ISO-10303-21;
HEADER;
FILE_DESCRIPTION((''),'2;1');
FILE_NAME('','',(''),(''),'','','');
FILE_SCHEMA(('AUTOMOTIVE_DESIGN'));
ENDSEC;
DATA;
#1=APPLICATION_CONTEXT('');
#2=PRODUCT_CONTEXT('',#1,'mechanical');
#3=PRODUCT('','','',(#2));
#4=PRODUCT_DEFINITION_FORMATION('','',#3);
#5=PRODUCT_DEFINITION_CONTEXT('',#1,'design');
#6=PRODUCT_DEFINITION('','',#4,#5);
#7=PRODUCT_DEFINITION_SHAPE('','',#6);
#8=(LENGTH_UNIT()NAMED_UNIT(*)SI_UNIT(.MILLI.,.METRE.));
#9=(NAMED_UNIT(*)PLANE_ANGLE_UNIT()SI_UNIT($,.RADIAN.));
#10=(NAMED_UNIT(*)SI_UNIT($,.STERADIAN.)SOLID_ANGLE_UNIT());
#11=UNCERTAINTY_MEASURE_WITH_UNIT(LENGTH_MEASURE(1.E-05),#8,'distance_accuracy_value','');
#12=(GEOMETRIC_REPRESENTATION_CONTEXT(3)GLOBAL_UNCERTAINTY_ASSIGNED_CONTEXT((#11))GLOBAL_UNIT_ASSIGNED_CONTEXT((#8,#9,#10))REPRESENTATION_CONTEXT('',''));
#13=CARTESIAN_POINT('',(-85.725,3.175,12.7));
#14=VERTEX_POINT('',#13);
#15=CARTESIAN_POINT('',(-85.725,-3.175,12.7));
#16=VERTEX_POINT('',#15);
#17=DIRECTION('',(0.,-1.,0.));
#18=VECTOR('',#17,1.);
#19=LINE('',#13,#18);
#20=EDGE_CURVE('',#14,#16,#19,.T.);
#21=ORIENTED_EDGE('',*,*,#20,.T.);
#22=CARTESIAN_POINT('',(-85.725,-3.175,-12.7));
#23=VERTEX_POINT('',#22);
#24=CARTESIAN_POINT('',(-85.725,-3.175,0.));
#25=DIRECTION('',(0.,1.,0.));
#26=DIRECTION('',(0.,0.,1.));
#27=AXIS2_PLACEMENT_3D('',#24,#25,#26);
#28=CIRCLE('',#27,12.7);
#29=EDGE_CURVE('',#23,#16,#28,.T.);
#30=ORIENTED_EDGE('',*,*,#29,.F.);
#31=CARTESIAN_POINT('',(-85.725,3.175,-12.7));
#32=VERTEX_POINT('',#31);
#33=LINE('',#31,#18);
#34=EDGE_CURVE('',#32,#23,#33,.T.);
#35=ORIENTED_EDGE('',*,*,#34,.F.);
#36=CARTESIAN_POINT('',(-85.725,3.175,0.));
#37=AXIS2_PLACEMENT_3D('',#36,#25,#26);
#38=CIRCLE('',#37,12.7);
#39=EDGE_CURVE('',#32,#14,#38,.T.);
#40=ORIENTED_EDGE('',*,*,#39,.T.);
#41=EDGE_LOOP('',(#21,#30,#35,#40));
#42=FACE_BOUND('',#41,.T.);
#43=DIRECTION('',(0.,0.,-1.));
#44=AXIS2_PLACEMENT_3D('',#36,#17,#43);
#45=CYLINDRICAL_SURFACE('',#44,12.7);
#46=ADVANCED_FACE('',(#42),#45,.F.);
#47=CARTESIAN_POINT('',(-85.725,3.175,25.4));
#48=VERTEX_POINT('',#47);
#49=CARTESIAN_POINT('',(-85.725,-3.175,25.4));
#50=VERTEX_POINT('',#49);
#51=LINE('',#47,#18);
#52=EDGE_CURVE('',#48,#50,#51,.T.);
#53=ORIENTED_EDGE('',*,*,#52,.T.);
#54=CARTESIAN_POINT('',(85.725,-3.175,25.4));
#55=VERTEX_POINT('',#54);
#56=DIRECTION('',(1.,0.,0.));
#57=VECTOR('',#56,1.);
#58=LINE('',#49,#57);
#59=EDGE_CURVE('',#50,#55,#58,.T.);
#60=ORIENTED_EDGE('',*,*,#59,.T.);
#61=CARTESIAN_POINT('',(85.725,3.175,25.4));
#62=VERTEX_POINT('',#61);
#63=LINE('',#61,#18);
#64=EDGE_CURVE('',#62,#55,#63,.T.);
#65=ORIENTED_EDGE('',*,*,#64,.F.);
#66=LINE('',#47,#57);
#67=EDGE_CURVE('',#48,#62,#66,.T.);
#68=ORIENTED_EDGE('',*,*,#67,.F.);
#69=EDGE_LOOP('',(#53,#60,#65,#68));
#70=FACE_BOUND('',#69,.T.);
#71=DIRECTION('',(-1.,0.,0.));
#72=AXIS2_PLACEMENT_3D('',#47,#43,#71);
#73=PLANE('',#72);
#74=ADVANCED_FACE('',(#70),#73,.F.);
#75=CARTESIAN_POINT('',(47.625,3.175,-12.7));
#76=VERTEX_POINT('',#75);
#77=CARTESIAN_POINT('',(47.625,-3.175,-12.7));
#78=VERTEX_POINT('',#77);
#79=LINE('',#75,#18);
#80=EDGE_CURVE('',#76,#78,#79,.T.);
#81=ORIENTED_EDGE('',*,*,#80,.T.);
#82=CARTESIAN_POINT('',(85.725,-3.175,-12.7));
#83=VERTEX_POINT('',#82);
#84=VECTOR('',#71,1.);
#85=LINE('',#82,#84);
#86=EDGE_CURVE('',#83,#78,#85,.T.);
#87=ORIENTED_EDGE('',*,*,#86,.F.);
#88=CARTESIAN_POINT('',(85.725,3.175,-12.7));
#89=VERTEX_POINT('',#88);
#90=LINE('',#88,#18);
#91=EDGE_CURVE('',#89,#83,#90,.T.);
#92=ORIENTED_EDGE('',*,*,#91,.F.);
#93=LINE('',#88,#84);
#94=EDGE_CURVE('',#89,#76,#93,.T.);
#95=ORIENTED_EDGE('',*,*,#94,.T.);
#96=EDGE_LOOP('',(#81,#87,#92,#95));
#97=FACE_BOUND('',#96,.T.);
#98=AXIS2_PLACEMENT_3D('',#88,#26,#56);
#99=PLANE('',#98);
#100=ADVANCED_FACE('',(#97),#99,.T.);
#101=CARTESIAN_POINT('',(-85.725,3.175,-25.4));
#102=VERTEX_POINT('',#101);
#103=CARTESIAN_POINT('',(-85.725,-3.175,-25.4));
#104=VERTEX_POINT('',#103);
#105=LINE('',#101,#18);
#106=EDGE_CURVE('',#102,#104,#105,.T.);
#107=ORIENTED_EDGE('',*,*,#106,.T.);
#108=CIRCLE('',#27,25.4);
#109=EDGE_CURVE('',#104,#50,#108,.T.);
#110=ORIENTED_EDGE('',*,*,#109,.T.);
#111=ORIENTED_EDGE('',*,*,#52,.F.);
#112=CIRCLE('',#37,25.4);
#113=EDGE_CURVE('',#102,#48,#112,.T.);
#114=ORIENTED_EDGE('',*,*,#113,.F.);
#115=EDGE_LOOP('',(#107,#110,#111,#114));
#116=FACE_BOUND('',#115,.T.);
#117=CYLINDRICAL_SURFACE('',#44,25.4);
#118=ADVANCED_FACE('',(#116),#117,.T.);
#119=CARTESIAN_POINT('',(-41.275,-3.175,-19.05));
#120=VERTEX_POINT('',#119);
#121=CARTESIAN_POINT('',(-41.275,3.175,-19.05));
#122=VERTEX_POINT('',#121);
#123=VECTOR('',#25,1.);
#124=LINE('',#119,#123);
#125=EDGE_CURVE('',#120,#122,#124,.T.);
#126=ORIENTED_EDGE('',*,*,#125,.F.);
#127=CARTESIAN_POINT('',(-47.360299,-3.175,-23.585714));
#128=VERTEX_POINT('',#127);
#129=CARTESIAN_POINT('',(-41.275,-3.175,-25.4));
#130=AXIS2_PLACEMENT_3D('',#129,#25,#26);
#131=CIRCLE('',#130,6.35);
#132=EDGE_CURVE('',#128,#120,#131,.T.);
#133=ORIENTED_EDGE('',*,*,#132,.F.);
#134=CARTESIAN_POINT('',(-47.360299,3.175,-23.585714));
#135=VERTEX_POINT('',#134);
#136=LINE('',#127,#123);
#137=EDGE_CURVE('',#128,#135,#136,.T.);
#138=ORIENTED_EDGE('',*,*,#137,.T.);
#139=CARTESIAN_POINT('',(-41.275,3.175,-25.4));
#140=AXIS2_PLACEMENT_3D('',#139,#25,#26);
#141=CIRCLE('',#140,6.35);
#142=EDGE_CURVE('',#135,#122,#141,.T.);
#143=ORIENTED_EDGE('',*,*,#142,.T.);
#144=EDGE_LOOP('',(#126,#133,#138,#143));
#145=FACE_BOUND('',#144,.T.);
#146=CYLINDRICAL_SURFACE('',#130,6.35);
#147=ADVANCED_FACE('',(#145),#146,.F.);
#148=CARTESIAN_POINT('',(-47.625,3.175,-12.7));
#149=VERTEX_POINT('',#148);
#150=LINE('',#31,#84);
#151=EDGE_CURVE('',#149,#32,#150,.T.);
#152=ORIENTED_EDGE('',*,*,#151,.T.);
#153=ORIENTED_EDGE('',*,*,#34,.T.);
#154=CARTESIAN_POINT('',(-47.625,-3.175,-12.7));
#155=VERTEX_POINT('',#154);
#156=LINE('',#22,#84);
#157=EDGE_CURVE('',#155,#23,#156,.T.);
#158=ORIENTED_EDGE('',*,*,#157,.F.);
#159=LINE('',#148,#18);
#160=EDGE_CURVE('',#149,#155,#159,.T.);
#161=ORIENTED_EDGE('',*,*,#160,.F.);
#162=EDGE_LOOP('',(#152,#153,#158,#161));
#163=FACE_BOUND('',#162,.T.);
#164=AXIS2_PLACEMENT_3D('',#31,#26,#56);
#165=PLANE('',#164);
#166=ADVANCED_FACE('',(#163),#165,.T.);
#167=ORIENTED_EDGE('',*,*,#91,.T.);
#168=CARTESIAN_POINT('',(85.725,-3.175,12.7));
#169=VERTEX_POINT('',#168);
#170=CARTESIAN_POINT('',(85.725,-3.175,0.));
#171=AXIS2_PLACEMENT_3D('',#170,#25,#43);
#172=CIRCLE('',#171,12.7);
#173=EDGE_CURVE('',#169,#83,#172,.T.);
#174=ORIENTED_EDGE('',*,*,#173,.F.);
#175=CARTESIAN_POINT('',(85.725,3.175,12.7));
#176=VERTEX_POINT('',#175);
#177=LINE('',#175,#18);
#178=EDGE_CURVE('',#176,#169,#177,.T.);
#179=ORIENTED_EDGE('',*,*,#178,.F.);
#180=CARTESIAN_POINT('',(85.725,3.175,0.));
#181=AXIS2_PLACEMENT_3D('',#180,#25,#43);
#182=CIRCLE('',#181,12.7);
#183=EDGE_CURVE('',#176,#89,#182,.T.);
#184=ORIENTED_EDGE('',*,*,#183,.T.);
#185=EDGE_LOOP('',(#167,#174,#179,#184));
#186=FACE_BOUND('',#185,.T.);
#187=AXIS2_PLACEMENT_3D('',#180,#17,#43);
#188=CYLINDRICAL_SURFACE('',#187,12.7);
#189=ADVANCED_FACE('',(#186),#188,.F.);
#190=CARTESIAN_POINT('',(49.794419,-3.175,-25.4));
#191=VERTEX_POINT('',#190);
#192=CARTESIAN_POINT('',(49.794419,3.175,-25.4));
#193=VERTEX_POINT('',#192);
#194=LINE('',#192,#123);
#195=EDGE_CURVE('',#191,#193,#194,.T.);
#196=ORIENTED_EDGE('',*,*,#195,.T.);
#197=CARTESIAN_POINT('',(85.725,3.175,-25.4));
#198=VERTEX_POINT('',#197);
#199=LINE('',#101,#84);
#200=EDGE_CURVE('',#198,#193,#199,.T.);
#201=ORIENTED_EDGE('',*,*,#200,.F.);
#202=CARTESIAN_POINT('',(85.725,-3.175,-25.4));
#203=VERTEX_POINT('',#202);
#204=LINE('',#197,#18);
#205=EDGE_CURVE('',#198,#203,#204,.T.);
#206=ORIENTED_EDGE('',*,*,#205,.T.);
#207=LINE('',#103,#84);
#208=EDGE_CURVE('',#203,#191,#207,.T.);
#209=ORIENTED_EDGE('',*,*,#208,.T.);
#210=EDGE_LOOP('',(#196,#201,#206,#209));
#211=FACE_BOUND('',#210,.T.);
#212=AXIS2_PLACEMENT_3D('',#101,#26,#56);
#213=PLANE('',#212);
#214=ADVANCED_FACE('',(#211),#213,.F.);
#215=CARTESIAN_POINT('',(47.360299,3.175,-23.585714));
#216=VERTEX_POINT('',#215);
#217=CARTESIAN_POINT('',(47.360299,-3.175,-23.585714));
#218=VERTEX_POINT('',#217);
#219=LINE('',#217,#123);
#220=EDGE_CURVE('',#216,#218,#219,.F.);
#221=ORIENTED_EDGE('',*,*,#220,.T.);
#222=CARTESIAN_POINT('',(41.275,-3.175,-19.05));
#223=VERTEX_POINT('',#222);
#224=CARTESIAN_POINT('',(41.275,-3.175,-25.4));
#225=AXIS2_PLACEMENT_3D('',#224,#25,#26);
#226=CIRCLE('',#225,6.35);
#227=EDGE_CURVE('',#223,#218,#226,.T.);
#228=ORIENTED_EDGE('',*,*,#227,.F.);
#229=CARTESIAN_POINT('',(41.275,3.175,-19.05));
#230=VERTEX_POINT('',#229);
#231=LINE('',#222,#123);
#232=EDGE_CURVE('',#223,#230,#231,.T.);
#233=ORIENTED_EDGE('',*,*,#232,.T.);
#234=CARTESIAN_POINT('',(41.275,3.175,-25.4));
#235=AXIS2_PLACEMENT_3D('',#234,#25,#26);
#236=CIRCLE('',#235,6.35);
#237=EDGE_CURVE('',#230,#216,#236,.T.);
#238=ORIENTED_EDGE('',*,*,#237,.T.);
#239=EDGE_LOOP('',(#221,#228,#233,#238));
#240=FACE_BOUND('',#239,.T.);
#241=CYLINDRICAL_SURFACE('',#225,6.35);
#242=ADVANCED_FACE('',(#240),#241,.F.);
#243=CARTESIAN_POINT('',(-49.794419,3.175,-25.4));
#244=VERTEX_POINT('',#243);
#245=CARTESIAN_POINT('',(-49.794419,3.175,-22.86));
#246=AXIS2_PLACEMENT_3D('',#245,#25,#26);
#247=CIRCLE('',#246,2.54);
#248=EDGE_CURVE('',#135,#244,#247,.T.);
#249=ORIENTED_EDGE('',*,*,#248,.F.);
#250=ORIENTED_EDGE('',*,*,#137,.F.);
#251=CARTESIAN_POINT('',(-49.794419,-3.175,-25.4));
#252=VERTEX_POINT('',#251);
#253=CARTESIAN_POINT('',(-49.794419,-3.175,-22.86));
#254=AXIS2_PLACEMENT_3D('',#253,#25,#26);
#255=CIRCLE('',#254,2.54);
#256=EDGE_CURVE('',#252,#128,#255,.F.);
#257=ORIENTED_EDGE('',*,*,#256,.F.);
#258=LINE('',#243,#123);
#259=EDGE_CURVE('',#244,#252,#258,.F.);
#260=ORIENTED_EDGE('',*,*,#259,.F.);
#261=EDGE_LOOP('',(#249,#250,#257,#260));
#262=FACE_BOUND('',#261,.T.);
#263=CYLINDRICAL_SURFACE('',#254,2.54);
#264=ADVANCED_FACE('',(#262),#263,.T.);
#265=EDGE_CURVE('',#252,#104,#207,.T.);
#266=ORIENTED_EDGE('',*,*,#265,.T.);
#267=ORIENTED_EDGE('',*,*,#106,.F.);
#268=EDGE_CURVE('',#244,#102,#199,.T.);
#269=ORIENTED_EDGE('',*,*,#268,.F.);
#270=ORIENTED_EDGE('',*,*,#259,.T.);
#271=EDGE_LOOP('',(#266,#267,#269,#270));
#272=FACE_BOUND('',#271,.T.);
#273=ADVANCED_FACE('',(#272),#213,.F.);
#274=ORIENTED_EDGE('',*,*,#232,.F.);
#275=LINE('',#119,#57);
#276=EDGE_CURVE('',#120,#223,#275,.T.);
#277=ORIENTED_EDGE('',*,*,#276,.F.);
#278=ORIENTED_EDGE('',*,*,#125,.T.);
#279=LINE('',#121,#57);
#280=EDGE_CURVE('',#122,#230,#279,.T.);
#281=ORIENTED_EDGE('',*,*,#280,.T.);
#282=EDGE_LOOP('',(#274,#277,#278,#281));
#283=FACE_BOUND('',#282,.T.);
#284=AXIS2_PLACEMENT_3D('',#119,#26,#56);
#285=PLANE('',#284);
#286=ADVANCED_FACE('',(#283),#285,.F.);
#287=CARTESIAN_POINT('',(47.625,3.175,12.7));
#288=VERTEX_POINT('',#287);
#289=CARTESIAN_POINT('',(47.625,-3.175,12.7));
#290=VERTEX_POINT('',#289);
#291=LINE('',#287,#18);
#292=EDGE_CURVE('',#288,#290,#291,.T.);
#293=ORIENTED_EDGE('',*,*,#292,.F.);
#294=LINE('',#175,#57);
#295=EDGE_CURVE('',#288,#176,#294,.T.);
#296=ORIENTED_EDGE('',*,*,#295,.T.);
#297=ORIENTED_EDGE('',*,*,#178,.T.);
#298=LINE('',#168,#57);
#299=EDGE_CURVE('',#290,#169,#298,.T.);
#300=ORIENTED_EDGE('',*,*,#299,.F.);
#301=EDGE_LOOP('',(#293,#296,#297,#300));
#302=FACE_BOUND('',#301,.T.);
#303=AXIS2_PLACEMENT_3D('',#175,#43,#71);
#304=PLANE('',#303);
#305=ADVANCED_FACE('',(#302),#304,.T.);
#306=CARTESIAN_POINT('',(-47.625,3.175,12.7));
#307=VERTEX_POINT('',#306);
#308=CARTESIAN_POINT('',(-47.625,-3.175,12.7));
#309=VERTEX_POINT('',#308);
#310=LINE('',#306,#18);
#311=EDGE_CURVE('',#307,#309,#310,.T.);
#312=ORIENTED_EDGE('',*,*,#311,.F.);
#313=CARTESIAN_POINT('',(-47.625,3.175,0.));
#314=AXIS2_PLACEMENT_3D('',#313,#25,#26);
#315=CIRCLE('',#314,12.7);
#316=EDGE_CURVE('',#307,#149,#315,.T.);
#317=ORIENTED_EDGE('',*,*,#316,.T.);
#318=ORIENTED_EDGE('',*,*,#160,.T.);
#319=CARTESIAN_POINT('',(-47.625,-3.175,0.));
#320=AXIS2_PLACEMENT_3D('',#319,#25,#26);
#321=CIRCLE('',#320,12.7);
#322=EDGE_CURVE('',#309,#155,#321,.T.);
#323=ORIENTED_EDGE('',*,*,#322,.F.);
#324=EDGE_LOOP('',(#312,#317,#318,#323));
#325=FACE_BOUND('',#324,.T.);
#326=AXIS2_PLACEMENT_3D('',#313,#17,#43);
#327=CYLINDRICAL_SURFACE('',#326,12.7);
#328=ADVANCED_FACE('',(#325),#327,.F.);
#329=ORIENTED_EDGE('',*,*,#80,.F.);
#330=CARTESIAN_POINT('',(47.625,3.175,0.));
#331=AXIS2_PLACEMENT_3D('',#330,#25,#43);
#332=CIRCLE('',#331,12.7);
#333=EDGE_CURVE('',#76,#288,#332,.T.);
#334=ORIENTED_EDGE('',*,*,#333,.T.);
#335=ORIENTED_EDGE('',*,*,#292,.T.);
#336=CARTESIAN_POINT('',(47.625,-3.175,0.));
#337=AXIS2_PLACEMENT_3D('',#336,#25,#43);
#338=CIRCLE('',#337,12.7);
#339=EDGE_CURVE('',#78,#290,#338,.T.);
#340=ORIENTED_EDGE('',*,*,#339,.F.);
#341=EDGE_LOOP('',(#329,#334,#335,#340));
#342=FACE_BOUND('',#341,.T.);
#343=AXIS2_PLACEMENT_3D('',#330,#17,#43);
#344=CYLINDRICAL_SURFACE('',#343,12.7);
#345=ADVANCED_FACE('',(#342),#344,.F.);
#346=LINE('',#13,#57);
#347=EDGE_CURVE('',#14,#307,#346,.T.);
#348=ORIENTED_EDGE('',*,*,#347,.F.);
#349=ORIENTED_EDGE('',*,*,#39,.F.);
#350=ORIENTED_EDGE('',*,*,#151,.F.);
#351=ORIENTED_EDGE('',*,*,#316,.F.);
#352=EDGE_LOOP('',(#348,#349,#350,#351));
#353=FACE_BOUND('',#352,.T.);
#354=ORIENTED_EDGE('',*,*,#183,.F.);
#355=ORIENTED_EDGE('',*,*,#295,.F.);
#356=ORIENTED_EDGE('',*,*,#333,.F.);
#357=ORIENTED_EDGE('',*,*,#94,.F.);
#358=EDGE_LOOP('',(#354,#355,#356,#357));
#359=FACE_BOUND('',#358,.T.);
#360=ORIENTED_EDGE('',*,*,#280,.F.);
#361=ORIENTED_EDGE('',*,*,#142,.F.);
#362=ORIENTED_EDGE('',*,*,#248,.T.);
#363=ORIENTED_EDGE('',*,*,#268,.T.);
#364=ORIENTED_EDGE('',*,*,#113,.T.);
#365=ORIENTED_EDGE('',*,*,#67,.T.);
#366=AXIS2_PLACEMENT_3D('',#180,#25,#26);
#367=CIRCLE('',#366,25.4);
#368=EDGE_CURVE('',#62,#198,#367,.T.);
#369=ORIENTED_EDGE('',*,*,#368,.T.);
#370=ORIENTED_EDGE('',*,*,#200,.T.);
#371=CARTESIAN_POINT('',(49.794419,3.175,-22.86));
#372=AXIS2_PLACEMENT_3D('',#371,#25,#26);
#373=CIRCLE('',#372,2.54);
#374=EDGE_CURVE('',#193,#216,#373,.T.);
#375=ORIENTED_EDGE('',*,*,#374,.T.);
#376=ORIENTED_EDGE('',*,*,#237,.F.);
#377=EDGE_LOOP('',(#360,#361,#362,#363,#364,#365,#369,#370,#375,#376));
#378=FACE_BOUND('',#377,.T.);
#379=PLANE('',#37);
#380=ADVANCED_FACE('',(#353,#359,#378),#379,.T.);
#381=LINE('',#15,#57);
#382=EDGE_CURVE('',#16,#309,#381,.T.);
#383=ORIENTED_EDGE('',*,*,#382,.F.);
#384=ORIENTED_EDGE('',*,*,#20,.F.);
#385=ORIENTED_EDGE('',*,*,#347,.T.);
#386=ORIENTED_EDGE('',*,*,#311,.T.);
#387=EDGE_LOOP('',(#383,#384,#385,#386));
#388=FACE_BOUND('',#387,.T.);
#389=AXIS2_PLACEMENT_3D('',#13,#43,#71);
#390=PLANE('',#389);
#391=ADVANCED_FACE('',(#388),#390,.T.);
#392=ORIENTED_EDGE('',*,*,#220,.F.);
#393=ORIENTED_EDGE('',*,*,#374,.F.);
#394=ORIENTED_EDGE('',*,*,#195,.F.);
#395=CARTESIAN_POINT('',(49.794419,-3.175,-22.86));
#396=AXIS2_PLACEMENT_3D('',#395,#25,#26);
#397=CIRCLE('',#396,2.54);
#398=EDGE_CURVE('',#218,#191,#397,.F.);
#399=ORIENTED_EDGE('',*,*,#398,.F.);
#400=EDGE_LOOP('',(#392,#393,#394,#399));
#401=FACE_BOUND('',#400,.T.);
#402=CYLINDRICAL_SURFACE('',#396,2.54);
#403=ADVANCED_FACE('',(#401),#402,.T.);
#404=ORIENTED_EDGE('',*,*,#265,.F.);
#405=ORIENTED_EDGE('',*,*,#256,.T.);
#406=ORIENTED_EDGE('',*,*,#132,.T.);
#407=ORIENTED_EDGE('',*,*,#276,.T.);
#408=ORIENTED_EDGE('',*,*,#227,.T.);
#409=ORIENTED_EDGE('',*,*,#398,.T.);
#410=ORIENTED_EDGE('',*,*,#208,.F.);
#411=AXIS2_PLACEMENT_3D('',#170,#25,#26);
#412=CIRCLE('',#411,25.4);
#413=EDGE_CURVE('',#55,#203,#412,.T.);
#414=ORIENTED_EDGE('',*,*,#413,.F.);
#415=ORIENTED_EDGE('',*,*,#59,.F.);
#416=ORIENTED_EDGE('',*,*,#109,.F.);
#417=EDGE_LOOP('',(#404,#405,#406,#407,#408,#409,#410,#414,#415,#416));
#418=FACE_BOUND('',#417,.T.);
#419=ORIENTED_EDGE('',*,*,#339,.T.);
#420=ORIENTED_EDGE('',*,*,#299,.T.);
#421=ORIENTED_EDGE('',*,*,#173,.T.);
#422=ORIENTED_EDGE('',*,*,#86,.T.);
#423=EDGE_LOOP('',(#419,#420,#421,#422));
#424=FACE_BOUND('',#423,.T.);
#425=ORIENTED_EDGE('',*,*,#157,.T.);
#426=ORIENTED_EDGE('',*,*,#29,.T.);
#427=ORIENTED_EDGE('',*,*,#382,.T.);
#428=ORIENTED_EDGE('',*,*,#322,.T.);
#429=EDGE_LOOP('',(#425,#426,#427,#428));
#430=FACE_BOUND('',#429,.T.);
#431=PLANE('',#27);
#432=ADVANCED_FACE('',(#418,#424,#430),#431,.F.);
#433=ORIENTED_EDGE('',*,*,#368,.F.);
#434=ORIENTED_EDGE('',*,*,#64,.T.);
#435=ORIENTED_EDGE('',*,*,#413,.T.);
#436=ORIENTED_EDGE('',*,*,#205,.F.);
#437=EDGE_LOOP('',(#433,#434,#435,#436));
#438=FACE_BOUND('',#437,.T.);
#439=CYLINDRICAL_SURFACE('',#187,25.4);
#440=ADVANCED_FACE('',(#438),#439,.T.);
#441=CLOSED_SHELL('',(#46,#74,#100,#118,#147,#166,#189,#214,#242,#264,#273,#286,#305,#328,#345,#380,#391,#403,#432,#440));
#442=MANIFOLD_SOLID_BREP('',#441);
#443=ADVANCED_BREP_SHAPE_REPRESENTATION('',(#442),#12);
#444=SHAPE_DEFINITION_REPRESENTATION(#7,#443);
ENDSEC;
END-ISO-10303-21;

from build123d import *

# Parameters (mm, degrees)
BOSS_EXTRUDE1_DEPTH = 3.175
CUT_EXTRUDE1_DEPTH  = 7.35
FILLET1_R           = 2.54


with BuildPart() as part:
    # Sketch1 → Boss-Extrude1 (new body, symmetric)
    with BuildSketch(Plane(origin=(0, 0, 0), x_dir=(1, 0, 0), z_dir=(0, 1, 0))):
        with BuildLine():
            Line((-85.725, 25.4), (85.725, 25.4))
            ThreePointArc((85.725, 25.4), (111.125, 0), (85.725, -25.4))
            Line((85.725, -25.4), (-85.725, -25.4))
            ThreePointArc((-85.725, -25.4), (-111.125, 0), (-85.725, 25.4))
        make_face()
        with BuildLine():
            Line((-85.725, 12.7), (-47.625, 12.7))
            ThreePointArc((-47.625, 12.7), (-34.925, 0), (-47.625, -12.7))
            Line((-47.625, -12.7), (-85.725, -12.7))
            ThreePointArc((-85.725, -12.7), (-98.425, 0), (-85.725, 12.7))
        make_face(mode=Mode.SUBTRACT)
        with BuildLine():
            Line((85.725, 12.7), (47.625, 12.7))
            ThreePointArc((47.625, 12.7), (34.925, 0), (47.625, -12.7))
            Line((47.625, -12.7), (85.725, -12.7))
            ThreePointArc((85.725, -12.7), (98.425, 0), (85.725, 12.7))
        make_face(mode=Mode.SUBTRACT)
    extrude(amount=BOSS_EXTRUDE1_DEPTH, both=True)

    # Sketch2 → Cut-Extrude1 (cut, through all)
    with BuildSketch(Plane(origin=(0, 3.175, 0), x_dir=(1, 0, 0), z_dir=(0, 1, 0))):
        with BuildLine():
            Line((-41.275, 19.05), (41.275, 19.05))
            ThreePointArc((41.275, 19.05), (45.765128061, 20.909871939), (47.625, 25.4))
            Line((47.625, 25.4), (-47.625, 25.4))
            ThreePointArc((-47.625, 25.4), (-45.765128061, 20.909871939), (-41.275, 19.05))
        make_face()
    extrude(amount=-CUT_EXTRUDE1_DEPTH, mode=Mode.SUBTRACT)

    # Fillet1
    fillet1_edges = [part.edges().sort_by_distance(p)[0] for p in [
        (-47.625, 0, -25.4),
        (47.625, 0, -25.4),
    ]]
    fillet(fillet1_edges, radius=FILLET1_R)


solid = part.part
